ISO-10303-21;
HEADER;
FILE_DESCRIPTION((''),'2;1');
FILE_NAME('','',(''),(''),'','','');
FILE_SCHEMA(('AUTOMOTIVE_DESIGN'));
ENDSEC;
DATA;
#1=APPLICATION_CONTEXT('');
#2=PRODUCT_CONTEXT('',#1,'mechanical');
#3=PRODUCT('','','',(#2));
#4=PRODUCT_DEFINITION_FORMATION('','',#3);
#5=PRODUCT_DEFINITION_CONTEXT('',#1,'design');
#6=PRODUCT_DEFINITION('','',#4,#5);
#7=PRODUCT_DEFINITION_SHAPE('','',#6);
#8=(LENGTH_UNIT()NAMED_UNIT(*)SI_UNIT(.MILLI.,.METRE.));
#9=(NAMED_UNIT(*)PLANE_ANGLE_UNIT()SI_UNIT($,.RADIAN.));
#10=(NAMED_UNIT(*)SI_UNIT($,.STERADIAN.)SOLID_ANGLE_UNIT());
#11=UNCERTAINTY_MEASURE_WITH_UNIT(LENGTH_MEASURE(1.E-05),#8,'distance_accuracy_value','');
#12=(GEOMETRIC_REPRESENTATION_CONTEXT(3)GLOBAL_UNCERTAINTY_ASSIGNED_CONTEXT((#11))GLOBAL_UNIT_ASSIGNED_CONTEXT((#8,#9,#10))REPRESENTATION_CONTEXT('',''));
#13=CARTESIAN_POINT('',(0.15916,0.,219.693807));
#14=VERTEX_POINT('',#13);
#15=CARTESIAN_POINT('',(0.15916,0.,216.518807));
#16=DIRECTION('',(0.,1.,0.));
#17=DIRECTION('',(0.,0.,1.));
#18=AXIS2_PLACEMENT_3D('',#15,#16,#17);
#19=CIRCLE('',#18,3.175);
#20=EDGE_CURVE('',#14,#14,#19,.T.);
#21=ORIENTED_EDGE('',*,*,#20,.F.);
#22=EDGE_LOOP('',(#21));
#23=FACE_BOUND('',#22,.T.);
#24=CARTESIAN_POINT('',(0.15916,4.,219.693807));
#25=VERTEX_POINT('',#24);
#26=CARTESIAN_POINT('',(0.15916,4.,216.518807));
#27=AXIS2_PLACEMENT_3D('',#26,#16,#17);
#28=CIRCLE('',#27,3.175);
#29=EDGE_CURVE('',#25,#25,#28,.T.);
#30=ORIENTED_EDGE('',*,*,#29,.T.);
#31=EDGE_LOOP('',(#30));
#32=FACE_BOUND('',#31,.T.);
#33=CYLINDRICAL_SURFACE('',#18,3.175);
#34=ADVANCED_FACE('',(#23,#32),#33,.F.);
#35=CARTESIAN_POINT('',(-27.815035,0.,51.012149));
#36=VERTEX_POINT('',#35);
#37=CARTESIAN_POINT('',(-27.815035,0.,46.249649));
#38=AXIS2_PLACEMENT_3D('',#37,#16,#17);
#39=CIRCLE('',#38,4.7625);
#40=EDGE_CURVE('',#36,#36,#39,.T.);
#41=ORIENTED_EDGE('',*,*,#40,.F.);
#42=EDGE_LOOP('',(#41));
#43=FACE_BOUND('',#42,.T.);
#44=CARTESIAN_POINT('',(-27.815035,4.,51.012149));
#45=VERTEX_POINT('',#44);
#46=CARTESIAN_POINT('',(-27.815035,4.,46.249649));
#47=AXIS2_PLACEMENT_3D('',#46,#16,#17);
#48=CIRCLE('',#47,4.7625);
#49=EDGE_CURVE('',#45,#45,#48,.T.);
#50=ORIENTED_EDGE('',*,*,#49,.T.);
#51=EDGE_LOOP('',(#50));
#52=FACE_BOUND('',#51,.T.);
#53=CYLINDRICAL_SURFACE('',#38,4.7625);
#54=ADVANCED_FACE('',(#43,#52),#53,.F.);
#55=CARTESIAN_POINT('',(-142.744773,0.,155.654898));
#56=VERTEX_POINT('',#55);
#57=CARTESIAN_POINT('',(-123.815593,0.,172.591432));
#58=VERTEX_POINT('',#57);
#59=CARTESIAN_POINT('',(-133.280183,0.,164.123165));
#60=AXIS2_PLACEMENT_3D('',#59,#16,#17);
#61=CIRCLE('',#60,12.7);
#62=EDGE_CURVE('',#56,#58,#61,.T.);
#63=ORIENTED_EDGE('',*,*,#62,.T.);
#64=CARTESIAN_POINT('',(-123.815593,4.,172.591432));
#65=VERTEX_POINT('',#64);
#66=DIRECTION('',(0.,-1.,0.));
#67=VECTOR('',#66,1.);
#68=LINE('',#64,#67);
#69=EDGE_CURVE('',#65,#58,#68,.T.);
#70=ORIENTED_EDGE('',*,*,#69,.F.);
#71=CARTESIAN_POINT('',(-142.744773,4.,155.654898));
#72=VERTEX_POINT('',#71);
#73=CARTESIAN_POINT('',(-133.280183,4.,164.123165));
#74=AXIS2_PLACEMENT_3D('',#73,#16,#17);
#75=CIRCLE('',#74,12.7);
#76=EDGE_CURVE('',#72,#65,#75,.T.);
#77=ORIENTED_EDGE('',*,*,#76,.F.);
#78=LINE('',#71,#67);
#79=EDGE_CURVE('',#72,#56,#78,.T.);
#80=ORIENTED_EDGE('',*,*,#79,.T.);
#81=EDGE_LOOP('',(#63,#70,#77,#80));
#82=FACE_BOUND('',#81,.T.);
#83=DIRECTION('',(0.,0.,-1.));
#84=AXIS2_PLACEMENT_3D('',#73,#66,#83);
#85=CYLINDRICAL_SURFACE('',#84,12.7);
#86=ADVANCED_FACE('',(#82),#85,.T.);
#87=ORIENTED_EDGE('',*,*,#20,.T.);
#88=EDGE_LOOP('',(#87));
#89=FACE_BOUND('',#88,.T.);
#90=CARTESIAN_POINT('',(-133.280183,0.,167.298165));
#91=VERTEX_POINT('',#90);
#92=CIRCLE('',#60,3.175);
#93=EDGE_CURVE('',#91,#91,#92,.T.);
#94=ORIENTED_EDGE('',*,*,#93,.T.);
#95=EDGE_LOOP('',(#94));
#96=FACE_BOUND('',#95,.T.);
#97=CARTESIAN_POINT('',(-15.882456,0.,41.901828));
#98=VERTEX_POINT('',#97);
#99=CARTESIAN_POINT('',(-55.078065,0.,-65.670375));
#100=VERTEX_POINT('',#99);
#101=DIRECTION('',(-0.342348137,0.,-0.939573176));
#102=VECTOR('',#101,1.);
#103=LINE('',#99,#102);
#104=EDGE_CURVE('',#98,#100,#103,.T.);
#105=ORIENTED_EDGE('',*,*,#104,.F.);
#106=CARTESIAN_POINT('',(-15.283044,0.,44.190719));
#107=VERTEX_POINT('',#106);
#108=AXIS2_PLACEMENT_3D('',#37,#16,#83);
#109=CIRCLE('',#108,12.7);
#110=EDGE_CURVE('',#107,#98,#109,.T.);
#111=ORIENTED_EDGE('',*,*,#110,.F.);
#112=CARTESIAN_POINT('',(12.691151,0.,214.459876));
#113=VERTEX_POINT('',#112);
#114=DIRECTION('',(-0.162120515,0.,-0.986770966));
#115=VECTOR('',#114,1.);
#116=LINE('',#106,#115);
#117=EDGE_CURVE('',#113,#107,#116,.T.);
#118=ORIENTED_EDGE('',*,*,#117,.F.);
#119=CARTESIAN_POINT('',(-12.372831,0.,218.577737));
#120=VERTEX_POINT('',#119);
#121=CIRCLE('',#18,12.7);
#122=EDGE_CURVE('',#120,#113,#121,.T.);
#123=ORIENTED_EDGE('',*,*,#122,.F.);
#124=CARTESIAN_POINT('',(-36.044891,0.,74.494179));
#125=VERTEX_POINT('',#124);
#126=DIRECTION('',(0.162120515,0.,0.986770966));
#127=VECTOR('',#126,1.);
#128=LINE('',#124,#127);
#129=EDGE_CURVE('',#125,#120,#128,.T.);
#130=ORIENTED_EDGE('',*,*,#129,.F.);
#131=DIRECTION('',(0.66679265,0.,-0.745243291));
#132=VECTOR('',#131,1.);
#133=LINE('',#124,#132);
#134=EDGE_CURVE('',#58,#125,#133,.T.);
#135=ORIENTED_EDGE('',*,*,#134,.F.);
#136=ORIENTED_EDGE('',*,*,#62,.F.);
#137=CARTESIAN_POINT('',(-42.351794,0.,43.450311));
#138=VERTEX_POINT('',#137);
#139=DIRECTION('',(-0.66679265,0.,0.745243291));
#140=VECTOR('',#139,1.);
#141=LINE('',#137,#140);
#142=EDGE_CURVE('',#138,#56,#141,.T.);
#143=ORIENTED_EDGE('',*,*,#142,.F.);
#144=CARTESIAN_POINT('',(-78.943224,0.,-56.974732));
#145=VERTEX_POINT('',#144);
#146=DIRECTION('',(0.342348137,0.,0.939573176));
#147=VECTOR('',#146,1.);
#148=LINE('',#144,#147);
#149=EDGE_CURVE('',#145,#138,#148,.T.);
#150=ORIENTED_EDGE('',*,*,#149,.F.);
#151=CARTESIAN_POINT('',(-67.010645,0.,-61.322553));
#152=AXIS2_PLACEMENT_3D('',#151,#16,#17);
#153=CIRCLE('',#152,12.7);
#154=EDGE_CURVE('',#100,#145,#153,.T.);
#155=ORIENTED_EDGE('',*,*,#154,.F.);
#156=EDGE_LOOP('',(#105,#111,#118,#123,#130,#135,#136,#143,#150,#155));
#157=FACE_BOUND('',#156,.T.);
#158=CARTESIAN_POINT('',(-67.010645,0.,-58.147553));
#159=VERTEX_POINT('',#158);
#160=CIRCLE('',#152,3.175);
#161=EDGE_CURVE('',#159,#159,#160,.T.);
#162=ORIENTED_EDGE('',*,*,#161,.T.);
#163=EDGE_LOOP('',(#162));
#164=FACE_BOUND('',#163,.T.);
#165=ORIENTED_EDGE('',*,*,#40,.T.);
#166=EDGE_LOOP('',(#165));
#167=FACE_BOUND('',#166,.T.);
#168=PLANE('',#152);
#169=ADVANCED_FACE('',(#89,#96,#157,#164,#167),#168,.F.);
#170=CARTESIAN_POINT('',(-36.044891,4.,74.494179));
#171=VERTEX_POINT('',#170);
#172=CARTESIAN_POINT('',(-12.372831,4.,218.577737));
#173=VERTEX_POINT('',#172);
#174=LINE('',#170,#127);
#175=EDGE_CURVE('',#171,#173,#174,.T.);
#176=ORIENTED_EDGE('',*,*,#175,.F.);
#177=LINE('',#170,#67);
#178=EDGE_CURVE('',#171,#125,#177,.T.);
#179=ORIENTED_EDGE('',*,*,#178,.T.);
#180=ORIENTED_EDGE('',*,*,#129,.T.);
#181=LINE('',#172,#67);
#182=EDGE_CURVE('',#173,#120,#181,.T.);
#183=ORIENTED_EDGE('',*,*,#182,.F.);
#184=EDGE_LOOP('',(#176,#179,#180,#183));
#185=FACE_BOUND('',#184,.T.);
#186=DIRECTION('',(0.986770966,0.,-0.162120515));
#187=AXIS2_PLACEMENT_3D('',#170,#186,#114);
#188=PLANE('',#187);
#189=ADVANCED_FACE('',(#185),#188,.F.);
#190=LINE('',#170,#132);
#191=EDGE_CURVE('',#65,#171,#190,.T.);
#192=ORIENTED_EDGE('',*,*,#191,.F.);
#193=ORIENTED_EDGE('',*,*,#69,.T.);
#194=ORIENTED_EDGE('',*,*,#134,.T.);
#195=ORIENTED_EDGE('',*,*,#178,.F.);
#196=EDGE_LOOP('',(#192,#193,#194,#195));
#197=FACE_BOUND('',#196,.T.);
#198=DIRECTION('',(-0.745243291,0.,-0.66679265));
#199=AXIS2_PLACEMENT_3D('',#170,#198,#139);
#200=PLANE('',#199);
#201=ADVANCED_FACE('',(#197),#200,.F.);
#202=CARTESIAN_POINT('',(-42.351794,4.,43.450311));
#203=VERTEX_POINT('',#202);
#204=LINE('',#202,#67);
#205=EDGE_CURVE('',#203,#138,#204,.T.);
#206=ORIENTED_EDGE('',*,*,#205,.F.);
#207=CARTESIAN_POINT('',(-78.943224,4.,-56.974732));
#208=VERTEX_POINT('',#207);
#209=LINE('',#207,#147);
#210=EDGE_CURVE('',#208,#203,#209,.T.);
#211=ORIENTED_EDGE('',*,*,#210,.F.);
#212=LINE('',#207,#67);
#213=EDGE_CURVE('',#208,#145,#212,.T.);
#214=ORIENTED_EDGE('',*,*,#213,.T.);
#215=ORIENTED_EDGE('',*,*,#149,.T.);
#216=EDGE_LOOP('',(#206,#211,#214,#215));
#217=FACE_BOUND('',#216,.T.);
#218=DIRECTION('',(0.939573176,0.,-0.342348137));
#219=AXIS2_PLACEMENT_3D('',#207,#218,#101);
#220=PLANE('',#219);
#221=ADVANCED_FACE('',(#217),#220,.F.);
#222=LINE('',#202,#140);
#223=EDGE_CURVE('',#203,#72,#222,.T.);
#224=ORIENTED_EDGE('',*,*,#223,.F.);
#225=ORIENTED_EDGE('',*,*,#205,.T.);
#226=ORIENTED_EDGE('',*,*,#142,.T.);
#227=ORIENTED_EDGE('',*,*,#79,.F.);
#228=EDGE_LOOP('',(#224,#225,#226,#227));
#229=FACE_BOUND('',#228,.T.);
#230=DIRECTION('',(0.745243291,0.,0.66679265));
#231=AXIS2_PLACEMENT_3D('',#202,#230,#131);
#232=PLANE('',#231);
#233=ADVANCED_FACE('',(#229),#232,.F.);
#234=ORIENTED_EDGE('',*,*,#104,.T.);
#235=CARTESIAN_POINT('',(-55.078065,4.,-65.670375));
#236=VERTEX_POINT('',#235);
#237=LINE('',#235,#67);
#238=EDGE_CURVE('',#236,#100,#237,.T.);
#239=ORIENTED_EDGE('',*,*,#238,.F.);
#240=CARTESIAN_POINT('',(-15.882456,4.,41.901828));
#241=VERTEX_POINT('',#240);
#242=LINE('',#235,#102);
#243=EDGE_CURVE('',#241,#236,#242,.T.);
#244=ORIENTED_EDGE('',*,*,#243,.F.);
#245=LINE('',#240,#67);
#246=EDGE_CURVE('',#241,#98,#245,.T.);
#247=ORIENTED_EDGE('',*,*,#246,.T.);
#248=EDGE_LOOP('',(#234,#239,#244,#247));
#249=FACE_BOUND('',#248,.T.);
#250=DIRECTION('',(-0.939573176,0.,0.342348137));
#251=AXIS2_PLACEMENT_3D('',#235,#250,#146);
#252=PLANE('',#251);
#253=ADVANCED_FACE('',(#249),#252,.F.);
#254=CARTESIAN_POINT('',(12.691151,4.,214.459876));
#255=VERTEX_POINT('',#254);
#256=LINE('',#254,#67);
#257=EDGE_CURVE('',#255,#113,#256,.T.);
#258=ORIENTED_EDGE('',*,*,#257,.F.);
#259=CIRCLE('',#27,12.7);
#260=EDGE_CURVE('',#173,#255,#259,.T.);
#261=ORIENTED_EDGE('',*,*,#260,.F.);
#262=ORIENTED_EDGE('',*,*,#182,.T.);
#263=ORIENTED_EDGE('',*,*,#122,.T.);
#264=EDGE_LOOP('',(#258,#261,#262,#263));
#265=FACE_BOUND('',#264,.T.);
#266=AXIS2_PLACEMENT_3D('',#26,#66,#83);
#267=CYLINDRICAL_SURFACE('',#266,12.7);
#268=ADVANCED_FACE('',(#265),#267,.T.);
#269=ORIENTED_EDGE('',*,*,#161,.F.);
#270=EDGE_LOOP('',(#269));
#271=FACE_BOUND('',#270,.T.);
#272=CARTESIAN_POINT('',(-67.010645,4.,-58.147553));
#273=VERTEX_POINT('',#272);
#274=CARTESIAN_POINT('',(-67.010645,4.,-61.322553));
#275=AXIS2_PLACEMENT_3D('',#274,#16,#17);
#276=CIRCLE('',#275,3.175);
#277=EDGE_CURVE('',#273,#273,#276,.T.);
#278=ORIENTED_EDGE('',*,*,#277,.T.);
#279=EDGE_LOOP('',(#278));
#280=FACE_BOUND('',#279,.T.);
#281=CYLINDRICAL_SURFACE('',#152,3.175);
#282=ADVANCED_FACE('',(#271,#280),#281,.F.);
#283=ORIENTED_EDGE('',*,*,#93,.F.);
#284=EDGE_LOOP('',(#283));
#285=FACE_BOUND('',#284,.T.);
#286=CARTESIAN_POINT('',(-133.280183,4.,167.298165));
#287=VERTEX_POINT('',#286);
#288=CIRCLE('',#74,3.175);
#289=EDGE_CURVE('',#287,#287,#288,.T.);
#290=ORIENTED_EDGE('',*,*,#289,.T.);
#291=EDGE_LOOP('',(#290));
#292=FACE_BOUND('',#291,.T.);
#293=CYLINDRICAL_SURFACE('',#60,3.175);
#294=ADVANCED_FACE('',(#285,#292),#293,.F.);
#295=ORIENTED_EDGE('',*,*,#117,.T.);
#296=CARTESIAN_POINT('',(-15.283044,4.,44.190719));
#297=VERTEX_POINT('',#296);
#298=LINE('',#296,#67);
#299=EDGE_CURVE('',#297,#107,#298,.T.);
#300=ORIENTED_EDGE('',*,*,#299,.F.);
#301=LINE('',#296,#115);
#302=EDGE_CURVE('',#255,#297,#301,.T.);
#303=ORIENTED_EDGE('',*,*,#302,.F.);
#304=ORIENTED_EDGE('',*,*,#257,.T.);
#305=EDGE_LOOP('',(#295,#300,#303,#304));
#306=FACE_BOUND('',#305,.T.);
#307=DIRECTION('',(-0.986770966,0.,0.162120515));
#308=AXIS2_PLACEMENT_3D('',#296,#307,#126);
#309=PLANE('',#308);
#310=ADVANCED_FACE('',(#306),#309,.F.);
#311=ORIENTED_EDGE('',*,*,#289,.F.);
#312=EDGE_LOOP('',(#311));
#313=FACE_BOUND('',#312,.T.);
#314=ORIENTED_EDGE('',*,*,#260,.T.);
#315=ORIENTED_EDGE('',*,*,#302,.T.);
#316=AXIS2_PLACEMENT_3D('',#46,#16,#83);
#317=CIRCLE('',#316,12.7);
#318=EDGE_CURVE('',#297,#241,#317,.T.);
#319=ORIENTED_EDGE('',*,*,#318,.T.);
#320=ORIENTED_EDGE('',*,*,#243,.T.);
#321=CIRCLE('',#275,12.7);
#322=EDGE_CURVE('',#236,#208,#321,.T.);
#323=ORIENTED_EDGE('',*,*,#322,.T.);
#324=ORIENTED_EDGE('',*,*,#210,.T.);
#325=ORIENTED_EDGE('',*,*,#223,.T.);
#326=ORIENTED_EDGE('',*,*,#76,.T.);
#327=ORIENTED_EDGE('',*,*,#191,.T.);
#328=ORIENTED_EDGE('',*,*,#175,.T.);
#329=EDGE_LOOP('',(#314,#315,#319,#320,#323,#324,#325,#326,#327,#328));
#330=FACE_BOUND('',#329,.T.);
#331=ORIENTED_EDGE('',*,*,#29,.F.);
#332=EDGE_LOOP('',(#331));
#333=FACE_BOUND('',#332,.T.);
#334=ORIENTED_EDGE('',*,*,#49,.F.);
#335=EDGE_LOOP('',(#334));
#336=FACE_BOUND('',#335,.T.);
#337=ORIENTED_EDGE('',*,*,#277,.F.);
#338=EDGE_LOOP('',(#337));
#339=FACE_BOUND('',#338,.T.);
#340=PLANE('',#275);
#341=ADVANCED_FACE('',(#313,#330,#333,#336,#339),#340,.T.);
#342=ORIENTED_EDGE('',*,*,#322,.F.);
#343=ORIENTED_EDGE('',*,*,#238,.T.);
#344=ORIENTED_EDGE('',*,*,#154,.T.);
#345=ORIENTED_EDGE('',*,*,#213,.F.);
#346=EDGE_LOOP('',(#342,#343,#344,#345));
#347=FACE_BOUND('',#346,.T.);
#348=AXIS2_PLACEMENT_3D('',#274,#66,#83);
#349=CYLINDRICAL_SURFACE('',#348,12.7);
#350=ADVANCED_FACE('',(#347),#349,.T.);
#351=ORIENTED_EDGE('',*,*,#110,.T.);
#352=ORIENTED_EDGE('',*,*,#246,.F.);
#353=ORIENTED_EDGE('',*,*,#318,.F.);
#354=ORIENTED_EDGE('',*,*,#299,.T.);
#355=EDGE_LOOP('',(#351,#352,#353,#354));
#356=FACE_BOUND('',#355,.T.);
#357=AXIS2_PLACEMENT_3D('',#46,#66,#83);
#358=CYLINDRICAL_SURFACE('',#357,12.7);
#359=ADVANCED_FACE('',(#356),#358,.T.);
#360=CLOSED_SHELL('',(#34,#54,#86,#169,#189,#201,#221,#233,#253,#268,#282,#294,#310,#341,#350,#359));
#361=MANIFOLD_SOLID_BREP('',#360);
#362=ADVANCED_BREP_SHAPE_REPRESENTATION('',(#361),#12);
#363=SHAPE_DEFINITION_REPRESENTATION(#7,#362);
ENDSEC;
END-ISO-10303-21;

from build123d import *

# Parameters (mm, degrees)
BOSS_EXTRUDE1_DEPTH = 4
SKETCH5_R           = 4.7625
CUT_EXTRUDE1_DEPTH  = 272.785715814
SKETCH8_R           = 3.175
CUT_EXTRUDE3_DEPTH  = 272.785715814


with BuildPart() as part:
    # Sketch1 → Boss-Extrude1 (new body)
    with BuildSketch(Plane(origin=(0, 0, 0), x_dir=(1, 0, 0), z_dir=(0, 1, 0))):
        with BuildLine():
            Line((-55.078065391, 65.670374736), (-15.882456002, -41.901827969))
            ThreePointArc((-15.882456002, -41.901827969), (-15.529329867, -43.032283758), (-15.283044075, -44.190718765))
            Line((-15.283044075, -44.190718765), (12.6911511, -214.459876374))
            ThreePointArc((12.6911511, -214.459876374), (2.218090383, -229.050798182), (-12.372831425, -218.577737465))
            Line((-12.372831425, -218.577737465), (-36.044890736, -74.494178583))
            Line((-36.044890736, -74.494178583), (-123.815593368, -172.591431542))
            ThreePointArc((-123.815593368, -172.591431542), (-141.748449811, -173.587754678), (-142.744772948, -155.654898235))
            Line((-142.744772948, -155.654898235), (-42.351793784, -43.450310863))
            Line((-42.351793784, -43.450310863), (-78.943224061, 56.974732054))
            ThreePointArc((-78.943224061, 56.974732054), (-71.358466067, 73.25513273), (-55.078065391, 65.670374736))
        make_face()
    extrude(amount=BOSS_EXTRUDE1_DEPTH)

    # Sketch5 → Cut-Extrude1 (cut, through all)
    with BuildSketch(Plane(origin=(0, 4, 0), x_dir=(1, 0, 0), z_dir=(0, 1, 0))):
        with Locations(Location((-27.815035337, -46.24964931, 0), (0, 0, 270))):
            Circle(SKETCH5_R)
    extrude(amount=-CUT_EXTRUDE1_DEPTH, mode=Mode.SUBTRACT)

    # Sketch8 → Cut-Extrude3 (cut, through all)
    with BuildSketch(Plane(origin=(0, 4, 0), x_dir=(1, 0, 0), z_dir=(0, 1, 0))):
        with Locations(Location((-67.010644726, 61.322553395, 0), (0, 0, 270))):
            Circle(SKETCH8_R)
        with Locations(Location((0.159159837, -216.518806919, 0), (0, 0, 270))):
            Circle(SKETCH8_R)
        with Locations(Location((-133.280183158, -164.123164888, 0), (0, 0, 270))):
            Circle(SKETCH8_R)
    extrude(amount=-CUT_EXTRUDE3_DEPTH, mode=Mode.SUBTRACT)


solid = part.part
